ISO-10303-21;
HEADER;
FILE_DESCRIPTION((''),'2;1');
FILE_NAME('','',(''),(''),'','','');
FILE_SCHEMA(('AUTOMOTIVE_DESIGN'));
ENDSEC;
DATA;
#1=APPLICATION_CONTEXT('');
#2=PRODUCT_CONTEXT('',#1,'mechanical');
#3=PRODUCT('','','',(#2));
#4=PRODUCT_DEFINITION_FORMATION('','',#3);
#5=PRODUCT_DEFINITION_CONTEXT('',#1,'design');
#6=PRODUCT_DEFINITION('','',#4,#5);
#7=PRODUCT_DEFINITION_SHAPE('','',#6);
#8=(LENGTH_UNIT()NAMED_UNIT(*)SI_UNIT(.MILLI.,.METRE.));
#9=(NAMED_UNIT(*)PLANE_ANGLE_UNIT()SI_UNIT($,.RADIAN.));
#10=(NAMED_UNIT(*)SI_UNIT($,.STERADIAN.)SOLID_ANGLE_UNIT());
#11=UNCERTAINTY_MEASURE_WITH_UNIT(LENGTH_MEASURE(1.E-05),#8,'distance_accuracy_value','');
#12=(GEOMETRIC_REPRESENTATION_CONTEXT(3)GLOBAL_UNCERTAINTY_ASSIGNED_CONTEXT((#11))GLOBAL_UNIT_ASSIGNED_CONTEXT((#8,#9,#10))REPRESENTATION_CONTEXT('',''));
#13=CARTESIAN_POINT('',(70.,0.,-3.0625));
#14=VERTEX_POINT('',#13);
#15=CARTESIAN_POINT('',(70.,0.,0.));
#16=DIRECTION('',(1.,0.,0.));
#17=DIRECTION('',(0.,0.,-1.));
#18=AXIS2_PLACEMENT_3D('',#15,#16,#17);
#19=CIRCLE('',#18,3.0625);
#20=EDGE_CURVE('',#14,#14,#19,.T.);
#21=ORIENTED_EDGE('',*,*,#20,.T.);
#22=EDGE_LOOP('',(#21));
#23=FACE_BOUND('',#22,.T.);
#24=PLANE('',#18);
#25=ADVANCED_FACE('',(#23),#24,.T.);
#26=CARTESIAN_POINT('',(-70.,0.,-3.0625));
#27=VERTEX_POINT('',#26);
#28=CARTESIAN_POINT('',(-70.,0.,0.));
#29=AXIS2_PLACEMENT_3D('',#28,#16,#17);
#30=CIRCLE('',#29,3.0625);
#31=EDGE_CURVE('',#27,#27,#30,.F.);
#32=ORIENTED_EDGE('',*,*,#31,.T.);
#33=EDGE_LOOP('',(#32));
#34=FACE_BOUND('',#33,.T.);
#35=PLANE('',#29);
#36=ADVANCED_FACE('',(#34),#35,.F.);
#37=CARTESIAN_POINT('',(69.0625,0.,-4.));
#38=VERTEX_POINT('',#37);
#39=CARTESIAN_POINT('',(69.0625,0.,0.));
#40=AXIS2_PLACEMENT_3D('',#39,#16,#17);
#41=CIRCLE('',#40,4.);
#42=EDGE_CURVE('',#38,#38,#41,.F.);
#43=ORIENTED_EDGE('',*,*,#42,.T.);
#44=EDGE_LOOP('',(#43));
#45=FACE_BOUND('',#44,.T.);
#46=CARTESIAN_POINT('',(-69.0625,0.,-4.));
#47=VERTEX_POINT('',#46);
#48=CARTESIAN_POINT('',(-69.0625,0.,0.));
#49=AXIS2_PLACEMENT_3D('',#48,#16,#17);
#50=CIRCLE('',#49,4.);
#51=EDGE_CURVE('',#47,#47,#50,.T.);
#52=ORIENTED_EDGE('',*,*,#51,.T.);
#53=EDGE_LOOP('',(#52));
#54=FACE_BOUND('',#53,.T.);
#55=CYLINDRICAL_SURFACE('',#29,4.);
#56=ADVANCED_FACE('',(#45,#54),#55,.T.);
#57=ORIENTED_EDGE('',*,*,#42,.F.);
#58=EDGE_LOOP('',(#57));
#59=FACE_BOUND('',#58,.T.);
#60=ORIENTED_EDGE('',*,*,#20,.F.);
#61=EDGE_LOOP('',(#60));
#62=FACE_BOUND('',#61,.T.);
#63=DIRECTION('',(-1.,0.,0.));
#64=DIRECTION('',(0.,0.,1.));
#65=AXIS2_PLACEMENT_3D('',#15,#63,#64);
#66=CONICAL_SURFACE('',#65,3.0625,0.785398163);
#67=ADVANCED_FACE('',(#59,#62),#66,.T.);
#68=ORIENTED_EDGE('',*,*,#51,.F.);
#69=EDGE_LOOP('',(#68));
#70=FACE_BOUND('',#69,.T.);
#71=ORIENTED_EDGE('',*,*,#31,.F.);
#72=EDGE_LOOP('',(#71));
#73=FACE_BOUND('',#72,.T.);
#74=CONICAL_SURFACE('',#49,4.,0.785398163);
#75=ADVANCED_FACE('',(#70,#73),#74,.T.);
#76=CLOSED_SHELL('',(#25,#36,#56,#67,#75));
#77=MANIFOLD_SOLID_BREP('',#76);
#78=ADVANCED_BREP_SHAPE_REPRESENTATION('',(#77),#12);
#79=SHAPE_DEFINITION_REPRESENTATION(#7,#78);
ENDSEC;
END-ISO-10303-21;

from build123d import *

# Parameters (mm, degrees)
BOSS_EXTRUDE1_DEPTH      = 70
BOSS_EXTRUDE1_DEPTH_BACK = 70
SKETCH2_R                = 4
CHAMFER1_SIZE            = 0.9375


with BuildPart() as part:
    # Sketch2 → Boss-Extrude1 (new, two sides: drawn at the far end of the back side and taken through both)
    with BuildSketch(Plane(origin=(0, 0, 0), x_dir=(0, 0, -1), z_dir=(1, 0, 0)).offset(-BOSS_EXTRUDE1_DEPTH_BACK)):
        Circle(SKETCH2_R)
    extrude(amount=BOSS_EXTRUDE1_DEPTH + BOSS_EXTRUDE1_DEPTH_BACK)

    # Chamfer1
    chamfer1_edges = [part.edges().sort_by_distance(p)[0] for p in [
        (-70, 0, 4),
        (70, 0, 4),
    ]]
    chamfer(chamfer1_edges, length=CHAMFER1_SIZE)


solid = part.part
